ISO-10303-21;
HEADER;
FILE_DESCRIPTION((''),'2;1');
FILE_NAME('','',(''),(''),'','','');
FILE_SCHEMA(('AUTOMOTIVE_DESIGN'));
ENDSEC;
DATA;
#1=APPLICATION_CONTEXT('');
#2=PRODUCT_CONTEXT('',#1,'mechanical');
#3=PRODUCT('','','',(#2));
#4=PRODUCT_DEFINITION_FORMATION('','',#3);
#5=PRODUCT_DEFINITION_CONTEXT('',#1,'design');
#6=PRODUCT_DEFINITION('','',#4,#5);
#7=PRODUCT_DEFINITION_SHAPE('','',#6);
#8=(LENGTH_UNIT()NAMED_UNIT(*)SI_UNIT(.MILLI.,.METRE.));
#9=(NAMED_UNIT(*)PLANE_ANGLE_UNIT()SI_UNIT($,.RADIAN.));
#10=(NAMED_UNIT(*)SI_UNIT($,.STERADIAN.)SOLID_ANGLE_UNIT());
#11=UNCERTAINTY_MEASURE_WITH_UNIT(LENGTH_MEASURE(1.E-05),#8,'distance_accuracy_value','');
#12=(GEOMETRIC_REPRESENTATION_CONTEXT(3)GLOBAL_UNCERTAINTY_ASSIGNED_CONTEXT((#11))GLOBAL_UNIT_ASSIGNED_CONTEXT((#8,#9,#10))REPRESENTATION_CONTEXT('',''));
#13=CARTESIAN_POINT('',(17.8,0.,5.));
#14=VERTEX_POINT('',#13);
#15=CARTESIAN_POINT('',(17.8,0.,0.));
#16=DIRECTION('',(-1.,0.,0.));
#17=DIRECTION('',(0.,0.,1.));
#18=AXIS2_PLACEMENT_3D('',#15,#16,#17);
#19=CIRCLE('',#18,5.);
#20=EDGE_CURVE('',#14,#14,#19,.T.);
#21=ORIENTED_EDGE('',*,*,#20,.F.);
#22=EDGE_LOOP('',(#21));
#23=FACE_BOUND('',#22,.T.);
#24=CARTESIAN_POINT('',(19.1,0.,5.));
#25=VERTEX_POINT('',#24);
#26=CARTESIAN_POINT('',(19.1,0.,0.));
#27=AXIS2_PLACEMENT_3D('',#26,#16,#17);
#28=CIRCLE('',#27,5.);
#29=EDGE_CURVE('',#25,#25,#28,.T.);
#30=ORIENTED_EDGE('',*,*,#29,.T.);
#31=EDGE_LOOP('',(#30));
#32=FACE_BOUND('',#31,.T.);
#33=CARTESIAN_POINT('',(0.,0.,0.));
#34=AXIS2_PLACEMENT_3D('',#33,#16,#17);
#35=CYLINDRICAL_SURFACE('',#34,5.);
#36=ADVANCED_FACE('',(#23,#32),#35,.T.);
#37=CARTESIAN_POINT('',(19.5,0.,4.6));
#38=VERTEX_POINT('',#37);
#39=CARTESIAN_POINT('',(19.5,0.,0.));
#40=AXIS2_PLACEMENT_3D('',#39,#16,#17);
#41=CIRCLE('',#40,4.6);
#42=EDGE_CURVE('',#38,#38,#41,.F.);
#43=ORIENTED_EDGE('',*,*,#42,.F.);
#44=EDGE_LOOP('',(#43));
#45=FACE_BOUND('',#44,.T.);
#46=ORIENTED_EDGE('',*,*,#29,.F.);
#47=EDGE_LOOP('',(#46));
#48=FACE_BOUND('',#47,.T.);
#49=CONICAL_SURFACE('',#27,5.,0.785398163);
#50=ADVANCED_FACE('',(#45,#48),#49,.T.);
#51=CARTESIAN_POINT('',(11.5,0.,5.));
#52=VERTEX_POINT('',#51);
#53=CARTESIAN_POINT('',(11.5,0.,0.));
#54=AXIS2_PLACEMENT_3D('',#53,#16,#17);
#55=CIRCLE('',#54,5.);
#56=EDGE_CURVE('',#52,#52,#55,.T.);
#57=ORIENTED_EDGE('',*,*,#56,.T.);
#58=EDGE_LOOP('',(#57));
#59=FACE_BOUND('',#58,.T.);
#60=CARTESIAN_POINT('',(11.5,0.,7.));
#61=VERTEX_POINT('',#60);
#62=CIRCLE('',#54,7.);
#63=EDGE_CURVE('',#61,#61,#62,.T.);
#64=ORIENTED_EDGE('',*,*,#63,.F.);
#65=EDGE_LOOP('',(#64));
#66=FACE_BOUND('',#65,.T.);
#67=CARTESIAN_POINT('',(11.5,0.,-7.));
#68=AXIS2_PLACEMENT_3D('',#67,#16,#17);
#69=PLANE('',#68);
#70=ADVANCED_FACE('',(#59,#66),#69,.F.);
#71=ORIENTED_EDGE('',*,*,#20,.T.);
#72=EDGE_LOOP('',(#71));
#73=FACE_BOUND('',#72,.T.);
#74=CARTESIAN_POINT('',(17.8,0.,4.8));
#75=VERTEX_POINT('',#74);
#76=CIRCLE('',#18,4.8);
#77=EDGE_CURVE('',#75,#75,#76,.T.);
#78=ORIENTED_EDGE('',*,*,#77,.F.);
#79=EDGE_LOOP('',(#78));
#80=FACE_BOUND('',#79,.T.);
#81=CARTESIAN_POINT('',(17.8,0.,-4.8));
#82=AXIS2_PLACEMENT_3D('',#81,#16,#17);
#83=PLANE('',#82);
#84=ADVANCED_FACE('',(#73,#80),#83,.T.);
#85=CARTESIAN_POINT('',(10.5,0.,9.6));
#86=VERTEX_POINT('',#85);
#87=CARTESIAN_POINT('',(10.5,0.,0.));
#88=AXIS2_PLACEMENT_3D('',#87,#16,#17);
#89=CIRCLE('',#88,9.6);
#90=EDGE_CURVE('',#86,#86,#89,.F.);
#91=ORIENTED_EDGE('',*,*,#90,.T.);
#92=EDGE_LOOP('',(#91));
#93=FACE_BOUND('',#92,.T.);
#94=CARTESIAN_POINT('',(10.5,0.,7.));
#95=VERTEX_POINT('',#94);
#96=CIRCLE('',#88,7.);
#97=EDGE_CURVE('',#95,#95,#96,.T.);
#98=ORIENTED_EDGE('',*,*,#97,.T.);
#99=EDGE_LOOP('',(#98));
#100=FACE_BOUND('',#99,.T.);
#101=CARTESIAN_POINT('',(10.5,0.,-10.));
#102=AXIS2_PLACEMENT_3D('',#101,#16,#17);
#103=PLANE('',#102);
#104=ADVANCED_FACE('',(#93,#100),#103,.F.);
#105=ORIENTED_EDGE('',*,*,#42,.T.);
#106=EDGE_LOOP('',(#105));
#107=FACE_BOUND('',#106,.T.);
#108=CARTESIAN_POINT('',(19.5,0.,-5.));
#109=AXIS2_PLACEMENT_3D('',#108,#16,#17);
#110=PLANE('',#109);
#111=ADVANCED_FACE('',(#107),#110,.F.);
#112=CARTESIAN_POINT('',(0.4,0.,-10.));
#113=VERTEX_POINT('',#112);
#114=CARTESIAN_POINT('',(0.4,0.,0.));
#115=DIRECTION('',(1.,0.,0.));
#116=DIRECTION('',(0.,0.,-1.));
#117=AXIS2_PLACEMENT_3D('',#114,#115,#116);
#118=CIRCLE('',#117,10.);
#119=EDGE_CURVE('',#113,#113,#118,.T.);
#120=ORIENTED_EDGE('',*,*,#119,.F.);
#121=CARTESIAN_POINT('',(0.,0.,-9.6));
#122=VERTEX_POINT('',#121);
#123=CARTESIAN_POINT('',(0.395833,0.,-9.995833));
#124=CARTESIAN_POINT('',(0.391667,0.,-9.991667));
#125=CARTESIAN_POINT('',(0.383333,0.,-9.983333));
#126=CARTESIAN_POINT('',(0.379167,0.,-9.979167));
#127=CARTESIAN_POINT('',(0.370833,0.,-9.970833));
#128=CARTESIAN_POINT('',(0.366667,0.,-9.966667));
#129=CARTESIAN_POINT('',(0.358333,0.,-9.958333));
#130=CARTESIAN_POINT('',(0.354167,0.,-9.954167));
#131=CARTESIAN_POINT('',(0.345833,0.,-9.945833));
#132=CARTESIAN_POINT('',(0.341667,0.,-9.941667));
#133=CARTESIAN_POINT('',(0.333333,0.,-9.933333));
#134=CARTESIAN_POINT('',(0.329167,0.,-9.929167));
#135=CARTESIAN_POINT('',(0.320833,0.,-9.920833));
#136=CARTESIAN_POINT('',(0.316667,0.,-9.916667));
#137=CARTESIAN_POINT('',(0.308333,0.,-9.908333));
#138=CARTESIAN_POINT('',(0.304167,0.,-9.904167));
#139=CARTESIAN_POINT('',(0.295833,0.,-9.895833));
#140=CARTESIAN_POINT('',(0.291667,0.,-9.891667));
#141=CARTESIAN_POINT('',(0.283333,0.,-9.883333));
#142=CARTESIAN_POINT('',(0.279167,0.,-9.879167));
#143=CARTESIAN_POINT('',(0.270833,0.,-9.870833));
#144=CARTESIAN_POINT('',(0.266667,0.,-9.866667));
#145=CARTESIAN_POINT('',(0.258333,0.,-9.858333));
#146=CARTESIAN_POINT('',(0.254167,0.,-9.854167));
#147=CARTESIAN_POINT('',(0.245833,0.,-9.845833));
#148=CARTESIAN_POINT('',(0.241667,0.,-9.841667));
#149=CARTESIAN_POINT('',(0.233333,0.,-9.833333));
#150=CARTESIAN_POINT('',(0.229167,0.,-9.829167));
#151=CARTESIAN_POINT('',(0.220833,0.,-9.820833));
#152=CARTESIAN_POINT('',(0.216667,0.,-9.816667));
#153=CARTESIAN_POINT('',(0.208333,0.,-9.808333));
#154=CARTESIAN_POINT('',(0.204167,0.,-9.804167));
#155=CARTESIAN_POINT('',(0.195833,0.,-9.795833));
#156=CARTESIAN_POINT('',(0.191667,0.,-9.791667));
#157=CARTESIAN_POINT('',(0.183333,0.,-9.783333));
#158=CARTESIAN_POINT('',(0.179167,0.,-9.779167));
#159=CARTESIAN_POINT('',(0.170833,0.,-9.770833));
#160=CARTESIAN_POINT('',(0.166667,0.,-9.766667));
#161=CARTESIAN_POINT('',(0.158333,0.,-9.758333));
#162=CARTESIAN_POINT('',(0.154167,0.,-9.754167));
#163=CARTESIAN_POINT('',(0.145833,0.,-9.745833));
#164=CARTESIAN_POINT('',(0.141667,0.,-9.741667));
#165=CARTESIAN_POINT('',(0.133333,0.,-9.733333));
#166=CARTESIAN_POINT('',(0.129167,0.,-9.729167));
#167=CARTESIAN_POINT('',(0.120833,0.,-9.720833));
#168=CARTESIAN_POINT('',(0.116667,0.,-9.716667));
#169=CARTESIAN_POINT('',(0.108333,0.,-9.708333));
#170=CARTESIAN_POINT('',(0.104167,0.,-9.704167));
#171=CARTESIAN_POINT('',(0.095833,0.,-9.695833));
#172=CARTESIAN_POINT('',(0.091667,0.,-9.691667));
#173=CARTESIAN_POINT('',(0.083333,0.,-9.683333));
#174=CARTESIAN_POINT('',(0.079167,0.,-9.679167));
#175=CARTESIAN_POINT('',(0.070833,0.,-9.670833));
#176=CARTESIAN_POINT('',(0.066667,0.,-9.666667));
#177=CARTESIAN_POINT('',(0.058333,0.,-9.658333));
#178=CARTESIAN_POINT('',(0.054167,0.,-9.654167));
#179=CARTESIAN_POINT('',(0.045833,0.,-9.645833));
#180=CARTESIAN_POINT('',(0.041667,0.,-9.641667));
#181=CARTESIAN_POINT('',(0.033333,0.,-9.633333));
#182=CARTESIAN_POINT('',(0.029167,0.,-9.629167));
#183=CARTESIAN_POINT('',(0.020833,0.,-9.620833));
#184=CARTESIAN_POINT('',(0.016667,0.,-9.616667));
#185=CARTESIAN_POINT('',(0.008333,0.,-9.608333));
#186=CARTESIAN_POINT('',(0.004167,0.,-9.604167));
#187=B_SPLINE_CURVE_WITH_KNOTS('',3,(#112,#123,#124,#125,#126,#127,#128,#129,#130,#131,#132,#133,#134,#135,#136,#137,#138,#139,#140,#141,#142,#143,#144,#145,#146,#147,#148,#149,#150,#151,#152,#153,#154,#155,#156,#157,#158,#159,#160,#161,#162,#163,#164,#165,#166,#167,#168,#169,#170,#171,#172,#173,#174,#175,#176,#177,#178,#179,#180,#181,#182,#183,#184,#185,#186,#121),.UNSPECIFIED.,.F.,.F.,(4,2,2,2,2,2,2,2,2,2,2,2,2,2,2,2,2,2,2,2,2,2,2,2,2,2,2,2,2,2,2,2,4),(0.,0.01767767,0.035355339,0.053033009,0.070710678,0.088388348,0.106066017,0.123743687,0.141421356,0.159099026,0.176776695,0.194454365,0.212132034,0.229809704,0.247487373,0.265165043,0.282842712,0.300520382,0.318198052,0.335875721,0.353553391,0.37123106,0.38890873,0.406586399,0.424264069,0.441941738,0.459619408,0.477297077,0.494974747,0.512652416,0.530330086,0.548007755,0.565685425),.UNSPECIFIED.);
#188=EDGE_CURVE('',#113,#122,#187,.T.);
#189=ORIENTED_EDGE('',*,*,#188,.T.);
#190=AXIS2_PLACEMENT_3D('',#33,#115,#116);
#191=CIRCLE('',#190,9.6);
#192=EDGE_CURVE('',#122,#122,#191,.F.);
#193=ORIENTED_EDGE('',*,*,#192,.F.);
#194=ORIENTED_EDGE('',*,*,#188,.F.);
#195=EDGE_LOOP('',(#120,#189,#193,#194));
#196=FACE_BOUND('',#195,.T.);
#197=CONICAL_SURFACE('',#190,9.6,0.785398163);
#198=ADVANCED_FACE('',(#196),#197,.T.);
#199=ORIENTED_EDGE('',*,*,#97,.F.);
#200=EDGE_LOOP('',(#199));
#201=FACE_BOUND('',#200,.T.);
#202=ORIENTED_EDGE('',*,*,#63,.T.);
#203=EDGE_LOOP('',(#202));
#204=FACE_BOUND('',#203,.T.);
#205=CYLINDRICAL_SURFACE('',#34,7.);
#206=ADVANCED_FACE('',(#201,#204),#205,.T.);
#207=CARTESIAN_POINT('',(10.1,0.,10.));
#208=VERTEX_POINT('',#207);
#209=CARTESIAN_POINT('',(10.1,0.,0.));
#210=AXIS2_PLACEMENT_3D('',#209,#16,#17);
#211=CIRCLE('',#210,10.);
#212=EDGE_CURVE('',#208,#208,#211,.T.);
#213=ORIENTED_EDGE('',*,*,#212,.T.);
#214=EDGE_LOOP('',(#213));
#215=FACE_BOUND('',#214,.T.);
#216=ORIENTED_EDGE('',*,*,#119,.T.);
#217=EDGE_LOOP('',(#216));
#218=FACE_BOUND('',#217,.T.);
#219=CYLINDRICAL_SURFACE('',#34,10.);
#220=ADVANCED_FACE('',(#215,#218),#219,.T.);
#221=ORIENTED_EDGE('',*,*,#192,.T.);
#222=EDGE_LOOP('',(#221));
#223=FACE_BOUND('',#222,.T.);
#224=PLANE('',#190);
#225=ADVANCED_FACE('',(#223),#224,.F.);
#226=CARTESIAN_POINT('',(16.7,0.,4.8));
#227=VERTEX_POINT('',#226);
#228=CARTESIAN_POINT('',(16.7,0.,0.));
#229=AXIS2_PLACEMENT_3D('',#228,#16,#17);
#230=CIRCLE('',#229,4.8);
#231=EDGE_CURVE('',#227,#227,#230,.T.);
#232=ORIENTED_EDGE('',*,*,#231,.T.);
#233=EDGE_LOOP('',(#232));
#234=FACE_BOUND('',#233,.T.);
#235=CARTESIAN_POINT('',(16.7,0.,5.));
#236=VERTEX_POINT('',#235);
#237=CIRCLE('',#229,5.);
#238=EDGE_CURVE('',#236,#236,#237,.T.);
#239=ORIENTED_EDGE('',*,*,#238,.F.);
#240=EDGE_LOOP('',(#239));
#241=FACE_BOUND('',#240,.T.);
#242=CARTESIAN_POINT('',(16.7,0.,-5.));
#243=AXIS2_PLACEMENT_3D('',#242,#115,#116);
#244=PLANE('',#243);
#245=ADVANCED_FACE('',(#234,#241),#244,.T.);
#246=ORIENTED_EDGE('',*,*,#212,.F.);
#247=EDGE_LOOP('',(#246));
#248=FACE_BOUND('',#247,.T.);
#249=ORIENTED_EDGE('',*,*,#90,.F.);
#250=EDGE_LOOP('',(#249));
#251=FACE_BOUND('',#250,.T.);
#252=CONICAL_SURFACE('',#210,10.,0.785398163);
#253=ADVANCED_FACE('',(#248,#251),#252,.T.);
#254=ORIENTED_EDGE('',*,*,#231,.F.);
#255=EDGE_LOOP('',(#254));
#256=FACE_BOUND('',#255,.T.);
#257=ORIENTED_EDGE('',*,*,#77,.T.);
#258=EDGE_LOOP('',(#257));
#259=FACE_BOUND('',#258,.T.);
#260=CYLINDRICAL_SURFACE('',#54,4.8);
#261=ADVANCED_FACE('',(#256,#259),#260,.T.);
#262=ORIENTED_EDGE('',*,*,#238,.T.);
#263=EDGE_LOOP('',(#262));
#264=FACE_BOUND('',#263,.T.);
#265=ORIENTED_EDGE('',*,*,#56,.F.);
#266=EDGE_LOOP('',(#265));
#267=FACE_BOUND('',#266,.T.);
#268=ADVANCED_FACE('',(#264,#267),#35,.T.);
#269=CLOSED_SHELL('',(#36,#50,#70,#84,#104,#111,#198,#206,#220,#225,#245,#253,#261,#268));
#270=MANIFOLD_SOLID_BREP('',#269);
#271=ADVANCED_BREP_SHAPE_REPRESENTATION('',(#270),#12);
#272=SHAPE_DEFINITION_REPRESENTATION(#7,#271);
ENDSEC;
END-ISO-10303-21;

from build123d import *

# Parameters (mm, degrees)
CHAMFER1_SIZE = 0.4
SKETCH2_W     = 1.1
SKETCH2_H     = 0.2


with BuildPart() as part:
    # Sketch1 → Revolve1 (revolve)
    with BuildSketch(Plane(origin=(0, 0, 0), x_dir=(1, 0, 0), z_dir=(0, 1, 0)), mode=Mode.PRIVATE) as revolve1_sk:
        Polygon((0, 0), (0, 10), (10.5, 10), (10.5, 7), (11.5, 7), (11.5, 5), (19.5, 5), (19.5, 0), align=None)
    revolve(revolve1_sk.sketch.rotate(Axis((0, 0, 0), (1, 0, 0)), 180), axis=Axis((0, 0, 0), (1, 0, 0)))

    # Chamfer1
    chamfer1_edges = [part.edges().sort_by_distance(p)[0] for p in [
        (19.5, 0, -5),
        (10.5, 0, -10),
        (0, 0, -10),
    ]]
    chamfer(chamfer1_edges, length=CHAMFER1_SIZE)

    # Sketch2 → Cut-Revolve1 (revolve, cut)
    with BuildSketch(Plane(origin=(0, 0, 0), x_dir=(1, 0, 0), z_dir=(0, 1, 0)), mode=Mode.PRIVATE) as cut_revolve1_sk:
        with Locations((17.25, 4.9)):
            Rectangle(SKETCH2_W, SKETCH2_H)
    revolve(cut_revolve1_sk.sketch.rotate(Axis((11.5, 0, 0), (1, 0, 0)), 180), axis=Axis((11.5, 0, 0), (1, 0, 0)), mode=Mode.SUBTRACT)


solid = part.part
